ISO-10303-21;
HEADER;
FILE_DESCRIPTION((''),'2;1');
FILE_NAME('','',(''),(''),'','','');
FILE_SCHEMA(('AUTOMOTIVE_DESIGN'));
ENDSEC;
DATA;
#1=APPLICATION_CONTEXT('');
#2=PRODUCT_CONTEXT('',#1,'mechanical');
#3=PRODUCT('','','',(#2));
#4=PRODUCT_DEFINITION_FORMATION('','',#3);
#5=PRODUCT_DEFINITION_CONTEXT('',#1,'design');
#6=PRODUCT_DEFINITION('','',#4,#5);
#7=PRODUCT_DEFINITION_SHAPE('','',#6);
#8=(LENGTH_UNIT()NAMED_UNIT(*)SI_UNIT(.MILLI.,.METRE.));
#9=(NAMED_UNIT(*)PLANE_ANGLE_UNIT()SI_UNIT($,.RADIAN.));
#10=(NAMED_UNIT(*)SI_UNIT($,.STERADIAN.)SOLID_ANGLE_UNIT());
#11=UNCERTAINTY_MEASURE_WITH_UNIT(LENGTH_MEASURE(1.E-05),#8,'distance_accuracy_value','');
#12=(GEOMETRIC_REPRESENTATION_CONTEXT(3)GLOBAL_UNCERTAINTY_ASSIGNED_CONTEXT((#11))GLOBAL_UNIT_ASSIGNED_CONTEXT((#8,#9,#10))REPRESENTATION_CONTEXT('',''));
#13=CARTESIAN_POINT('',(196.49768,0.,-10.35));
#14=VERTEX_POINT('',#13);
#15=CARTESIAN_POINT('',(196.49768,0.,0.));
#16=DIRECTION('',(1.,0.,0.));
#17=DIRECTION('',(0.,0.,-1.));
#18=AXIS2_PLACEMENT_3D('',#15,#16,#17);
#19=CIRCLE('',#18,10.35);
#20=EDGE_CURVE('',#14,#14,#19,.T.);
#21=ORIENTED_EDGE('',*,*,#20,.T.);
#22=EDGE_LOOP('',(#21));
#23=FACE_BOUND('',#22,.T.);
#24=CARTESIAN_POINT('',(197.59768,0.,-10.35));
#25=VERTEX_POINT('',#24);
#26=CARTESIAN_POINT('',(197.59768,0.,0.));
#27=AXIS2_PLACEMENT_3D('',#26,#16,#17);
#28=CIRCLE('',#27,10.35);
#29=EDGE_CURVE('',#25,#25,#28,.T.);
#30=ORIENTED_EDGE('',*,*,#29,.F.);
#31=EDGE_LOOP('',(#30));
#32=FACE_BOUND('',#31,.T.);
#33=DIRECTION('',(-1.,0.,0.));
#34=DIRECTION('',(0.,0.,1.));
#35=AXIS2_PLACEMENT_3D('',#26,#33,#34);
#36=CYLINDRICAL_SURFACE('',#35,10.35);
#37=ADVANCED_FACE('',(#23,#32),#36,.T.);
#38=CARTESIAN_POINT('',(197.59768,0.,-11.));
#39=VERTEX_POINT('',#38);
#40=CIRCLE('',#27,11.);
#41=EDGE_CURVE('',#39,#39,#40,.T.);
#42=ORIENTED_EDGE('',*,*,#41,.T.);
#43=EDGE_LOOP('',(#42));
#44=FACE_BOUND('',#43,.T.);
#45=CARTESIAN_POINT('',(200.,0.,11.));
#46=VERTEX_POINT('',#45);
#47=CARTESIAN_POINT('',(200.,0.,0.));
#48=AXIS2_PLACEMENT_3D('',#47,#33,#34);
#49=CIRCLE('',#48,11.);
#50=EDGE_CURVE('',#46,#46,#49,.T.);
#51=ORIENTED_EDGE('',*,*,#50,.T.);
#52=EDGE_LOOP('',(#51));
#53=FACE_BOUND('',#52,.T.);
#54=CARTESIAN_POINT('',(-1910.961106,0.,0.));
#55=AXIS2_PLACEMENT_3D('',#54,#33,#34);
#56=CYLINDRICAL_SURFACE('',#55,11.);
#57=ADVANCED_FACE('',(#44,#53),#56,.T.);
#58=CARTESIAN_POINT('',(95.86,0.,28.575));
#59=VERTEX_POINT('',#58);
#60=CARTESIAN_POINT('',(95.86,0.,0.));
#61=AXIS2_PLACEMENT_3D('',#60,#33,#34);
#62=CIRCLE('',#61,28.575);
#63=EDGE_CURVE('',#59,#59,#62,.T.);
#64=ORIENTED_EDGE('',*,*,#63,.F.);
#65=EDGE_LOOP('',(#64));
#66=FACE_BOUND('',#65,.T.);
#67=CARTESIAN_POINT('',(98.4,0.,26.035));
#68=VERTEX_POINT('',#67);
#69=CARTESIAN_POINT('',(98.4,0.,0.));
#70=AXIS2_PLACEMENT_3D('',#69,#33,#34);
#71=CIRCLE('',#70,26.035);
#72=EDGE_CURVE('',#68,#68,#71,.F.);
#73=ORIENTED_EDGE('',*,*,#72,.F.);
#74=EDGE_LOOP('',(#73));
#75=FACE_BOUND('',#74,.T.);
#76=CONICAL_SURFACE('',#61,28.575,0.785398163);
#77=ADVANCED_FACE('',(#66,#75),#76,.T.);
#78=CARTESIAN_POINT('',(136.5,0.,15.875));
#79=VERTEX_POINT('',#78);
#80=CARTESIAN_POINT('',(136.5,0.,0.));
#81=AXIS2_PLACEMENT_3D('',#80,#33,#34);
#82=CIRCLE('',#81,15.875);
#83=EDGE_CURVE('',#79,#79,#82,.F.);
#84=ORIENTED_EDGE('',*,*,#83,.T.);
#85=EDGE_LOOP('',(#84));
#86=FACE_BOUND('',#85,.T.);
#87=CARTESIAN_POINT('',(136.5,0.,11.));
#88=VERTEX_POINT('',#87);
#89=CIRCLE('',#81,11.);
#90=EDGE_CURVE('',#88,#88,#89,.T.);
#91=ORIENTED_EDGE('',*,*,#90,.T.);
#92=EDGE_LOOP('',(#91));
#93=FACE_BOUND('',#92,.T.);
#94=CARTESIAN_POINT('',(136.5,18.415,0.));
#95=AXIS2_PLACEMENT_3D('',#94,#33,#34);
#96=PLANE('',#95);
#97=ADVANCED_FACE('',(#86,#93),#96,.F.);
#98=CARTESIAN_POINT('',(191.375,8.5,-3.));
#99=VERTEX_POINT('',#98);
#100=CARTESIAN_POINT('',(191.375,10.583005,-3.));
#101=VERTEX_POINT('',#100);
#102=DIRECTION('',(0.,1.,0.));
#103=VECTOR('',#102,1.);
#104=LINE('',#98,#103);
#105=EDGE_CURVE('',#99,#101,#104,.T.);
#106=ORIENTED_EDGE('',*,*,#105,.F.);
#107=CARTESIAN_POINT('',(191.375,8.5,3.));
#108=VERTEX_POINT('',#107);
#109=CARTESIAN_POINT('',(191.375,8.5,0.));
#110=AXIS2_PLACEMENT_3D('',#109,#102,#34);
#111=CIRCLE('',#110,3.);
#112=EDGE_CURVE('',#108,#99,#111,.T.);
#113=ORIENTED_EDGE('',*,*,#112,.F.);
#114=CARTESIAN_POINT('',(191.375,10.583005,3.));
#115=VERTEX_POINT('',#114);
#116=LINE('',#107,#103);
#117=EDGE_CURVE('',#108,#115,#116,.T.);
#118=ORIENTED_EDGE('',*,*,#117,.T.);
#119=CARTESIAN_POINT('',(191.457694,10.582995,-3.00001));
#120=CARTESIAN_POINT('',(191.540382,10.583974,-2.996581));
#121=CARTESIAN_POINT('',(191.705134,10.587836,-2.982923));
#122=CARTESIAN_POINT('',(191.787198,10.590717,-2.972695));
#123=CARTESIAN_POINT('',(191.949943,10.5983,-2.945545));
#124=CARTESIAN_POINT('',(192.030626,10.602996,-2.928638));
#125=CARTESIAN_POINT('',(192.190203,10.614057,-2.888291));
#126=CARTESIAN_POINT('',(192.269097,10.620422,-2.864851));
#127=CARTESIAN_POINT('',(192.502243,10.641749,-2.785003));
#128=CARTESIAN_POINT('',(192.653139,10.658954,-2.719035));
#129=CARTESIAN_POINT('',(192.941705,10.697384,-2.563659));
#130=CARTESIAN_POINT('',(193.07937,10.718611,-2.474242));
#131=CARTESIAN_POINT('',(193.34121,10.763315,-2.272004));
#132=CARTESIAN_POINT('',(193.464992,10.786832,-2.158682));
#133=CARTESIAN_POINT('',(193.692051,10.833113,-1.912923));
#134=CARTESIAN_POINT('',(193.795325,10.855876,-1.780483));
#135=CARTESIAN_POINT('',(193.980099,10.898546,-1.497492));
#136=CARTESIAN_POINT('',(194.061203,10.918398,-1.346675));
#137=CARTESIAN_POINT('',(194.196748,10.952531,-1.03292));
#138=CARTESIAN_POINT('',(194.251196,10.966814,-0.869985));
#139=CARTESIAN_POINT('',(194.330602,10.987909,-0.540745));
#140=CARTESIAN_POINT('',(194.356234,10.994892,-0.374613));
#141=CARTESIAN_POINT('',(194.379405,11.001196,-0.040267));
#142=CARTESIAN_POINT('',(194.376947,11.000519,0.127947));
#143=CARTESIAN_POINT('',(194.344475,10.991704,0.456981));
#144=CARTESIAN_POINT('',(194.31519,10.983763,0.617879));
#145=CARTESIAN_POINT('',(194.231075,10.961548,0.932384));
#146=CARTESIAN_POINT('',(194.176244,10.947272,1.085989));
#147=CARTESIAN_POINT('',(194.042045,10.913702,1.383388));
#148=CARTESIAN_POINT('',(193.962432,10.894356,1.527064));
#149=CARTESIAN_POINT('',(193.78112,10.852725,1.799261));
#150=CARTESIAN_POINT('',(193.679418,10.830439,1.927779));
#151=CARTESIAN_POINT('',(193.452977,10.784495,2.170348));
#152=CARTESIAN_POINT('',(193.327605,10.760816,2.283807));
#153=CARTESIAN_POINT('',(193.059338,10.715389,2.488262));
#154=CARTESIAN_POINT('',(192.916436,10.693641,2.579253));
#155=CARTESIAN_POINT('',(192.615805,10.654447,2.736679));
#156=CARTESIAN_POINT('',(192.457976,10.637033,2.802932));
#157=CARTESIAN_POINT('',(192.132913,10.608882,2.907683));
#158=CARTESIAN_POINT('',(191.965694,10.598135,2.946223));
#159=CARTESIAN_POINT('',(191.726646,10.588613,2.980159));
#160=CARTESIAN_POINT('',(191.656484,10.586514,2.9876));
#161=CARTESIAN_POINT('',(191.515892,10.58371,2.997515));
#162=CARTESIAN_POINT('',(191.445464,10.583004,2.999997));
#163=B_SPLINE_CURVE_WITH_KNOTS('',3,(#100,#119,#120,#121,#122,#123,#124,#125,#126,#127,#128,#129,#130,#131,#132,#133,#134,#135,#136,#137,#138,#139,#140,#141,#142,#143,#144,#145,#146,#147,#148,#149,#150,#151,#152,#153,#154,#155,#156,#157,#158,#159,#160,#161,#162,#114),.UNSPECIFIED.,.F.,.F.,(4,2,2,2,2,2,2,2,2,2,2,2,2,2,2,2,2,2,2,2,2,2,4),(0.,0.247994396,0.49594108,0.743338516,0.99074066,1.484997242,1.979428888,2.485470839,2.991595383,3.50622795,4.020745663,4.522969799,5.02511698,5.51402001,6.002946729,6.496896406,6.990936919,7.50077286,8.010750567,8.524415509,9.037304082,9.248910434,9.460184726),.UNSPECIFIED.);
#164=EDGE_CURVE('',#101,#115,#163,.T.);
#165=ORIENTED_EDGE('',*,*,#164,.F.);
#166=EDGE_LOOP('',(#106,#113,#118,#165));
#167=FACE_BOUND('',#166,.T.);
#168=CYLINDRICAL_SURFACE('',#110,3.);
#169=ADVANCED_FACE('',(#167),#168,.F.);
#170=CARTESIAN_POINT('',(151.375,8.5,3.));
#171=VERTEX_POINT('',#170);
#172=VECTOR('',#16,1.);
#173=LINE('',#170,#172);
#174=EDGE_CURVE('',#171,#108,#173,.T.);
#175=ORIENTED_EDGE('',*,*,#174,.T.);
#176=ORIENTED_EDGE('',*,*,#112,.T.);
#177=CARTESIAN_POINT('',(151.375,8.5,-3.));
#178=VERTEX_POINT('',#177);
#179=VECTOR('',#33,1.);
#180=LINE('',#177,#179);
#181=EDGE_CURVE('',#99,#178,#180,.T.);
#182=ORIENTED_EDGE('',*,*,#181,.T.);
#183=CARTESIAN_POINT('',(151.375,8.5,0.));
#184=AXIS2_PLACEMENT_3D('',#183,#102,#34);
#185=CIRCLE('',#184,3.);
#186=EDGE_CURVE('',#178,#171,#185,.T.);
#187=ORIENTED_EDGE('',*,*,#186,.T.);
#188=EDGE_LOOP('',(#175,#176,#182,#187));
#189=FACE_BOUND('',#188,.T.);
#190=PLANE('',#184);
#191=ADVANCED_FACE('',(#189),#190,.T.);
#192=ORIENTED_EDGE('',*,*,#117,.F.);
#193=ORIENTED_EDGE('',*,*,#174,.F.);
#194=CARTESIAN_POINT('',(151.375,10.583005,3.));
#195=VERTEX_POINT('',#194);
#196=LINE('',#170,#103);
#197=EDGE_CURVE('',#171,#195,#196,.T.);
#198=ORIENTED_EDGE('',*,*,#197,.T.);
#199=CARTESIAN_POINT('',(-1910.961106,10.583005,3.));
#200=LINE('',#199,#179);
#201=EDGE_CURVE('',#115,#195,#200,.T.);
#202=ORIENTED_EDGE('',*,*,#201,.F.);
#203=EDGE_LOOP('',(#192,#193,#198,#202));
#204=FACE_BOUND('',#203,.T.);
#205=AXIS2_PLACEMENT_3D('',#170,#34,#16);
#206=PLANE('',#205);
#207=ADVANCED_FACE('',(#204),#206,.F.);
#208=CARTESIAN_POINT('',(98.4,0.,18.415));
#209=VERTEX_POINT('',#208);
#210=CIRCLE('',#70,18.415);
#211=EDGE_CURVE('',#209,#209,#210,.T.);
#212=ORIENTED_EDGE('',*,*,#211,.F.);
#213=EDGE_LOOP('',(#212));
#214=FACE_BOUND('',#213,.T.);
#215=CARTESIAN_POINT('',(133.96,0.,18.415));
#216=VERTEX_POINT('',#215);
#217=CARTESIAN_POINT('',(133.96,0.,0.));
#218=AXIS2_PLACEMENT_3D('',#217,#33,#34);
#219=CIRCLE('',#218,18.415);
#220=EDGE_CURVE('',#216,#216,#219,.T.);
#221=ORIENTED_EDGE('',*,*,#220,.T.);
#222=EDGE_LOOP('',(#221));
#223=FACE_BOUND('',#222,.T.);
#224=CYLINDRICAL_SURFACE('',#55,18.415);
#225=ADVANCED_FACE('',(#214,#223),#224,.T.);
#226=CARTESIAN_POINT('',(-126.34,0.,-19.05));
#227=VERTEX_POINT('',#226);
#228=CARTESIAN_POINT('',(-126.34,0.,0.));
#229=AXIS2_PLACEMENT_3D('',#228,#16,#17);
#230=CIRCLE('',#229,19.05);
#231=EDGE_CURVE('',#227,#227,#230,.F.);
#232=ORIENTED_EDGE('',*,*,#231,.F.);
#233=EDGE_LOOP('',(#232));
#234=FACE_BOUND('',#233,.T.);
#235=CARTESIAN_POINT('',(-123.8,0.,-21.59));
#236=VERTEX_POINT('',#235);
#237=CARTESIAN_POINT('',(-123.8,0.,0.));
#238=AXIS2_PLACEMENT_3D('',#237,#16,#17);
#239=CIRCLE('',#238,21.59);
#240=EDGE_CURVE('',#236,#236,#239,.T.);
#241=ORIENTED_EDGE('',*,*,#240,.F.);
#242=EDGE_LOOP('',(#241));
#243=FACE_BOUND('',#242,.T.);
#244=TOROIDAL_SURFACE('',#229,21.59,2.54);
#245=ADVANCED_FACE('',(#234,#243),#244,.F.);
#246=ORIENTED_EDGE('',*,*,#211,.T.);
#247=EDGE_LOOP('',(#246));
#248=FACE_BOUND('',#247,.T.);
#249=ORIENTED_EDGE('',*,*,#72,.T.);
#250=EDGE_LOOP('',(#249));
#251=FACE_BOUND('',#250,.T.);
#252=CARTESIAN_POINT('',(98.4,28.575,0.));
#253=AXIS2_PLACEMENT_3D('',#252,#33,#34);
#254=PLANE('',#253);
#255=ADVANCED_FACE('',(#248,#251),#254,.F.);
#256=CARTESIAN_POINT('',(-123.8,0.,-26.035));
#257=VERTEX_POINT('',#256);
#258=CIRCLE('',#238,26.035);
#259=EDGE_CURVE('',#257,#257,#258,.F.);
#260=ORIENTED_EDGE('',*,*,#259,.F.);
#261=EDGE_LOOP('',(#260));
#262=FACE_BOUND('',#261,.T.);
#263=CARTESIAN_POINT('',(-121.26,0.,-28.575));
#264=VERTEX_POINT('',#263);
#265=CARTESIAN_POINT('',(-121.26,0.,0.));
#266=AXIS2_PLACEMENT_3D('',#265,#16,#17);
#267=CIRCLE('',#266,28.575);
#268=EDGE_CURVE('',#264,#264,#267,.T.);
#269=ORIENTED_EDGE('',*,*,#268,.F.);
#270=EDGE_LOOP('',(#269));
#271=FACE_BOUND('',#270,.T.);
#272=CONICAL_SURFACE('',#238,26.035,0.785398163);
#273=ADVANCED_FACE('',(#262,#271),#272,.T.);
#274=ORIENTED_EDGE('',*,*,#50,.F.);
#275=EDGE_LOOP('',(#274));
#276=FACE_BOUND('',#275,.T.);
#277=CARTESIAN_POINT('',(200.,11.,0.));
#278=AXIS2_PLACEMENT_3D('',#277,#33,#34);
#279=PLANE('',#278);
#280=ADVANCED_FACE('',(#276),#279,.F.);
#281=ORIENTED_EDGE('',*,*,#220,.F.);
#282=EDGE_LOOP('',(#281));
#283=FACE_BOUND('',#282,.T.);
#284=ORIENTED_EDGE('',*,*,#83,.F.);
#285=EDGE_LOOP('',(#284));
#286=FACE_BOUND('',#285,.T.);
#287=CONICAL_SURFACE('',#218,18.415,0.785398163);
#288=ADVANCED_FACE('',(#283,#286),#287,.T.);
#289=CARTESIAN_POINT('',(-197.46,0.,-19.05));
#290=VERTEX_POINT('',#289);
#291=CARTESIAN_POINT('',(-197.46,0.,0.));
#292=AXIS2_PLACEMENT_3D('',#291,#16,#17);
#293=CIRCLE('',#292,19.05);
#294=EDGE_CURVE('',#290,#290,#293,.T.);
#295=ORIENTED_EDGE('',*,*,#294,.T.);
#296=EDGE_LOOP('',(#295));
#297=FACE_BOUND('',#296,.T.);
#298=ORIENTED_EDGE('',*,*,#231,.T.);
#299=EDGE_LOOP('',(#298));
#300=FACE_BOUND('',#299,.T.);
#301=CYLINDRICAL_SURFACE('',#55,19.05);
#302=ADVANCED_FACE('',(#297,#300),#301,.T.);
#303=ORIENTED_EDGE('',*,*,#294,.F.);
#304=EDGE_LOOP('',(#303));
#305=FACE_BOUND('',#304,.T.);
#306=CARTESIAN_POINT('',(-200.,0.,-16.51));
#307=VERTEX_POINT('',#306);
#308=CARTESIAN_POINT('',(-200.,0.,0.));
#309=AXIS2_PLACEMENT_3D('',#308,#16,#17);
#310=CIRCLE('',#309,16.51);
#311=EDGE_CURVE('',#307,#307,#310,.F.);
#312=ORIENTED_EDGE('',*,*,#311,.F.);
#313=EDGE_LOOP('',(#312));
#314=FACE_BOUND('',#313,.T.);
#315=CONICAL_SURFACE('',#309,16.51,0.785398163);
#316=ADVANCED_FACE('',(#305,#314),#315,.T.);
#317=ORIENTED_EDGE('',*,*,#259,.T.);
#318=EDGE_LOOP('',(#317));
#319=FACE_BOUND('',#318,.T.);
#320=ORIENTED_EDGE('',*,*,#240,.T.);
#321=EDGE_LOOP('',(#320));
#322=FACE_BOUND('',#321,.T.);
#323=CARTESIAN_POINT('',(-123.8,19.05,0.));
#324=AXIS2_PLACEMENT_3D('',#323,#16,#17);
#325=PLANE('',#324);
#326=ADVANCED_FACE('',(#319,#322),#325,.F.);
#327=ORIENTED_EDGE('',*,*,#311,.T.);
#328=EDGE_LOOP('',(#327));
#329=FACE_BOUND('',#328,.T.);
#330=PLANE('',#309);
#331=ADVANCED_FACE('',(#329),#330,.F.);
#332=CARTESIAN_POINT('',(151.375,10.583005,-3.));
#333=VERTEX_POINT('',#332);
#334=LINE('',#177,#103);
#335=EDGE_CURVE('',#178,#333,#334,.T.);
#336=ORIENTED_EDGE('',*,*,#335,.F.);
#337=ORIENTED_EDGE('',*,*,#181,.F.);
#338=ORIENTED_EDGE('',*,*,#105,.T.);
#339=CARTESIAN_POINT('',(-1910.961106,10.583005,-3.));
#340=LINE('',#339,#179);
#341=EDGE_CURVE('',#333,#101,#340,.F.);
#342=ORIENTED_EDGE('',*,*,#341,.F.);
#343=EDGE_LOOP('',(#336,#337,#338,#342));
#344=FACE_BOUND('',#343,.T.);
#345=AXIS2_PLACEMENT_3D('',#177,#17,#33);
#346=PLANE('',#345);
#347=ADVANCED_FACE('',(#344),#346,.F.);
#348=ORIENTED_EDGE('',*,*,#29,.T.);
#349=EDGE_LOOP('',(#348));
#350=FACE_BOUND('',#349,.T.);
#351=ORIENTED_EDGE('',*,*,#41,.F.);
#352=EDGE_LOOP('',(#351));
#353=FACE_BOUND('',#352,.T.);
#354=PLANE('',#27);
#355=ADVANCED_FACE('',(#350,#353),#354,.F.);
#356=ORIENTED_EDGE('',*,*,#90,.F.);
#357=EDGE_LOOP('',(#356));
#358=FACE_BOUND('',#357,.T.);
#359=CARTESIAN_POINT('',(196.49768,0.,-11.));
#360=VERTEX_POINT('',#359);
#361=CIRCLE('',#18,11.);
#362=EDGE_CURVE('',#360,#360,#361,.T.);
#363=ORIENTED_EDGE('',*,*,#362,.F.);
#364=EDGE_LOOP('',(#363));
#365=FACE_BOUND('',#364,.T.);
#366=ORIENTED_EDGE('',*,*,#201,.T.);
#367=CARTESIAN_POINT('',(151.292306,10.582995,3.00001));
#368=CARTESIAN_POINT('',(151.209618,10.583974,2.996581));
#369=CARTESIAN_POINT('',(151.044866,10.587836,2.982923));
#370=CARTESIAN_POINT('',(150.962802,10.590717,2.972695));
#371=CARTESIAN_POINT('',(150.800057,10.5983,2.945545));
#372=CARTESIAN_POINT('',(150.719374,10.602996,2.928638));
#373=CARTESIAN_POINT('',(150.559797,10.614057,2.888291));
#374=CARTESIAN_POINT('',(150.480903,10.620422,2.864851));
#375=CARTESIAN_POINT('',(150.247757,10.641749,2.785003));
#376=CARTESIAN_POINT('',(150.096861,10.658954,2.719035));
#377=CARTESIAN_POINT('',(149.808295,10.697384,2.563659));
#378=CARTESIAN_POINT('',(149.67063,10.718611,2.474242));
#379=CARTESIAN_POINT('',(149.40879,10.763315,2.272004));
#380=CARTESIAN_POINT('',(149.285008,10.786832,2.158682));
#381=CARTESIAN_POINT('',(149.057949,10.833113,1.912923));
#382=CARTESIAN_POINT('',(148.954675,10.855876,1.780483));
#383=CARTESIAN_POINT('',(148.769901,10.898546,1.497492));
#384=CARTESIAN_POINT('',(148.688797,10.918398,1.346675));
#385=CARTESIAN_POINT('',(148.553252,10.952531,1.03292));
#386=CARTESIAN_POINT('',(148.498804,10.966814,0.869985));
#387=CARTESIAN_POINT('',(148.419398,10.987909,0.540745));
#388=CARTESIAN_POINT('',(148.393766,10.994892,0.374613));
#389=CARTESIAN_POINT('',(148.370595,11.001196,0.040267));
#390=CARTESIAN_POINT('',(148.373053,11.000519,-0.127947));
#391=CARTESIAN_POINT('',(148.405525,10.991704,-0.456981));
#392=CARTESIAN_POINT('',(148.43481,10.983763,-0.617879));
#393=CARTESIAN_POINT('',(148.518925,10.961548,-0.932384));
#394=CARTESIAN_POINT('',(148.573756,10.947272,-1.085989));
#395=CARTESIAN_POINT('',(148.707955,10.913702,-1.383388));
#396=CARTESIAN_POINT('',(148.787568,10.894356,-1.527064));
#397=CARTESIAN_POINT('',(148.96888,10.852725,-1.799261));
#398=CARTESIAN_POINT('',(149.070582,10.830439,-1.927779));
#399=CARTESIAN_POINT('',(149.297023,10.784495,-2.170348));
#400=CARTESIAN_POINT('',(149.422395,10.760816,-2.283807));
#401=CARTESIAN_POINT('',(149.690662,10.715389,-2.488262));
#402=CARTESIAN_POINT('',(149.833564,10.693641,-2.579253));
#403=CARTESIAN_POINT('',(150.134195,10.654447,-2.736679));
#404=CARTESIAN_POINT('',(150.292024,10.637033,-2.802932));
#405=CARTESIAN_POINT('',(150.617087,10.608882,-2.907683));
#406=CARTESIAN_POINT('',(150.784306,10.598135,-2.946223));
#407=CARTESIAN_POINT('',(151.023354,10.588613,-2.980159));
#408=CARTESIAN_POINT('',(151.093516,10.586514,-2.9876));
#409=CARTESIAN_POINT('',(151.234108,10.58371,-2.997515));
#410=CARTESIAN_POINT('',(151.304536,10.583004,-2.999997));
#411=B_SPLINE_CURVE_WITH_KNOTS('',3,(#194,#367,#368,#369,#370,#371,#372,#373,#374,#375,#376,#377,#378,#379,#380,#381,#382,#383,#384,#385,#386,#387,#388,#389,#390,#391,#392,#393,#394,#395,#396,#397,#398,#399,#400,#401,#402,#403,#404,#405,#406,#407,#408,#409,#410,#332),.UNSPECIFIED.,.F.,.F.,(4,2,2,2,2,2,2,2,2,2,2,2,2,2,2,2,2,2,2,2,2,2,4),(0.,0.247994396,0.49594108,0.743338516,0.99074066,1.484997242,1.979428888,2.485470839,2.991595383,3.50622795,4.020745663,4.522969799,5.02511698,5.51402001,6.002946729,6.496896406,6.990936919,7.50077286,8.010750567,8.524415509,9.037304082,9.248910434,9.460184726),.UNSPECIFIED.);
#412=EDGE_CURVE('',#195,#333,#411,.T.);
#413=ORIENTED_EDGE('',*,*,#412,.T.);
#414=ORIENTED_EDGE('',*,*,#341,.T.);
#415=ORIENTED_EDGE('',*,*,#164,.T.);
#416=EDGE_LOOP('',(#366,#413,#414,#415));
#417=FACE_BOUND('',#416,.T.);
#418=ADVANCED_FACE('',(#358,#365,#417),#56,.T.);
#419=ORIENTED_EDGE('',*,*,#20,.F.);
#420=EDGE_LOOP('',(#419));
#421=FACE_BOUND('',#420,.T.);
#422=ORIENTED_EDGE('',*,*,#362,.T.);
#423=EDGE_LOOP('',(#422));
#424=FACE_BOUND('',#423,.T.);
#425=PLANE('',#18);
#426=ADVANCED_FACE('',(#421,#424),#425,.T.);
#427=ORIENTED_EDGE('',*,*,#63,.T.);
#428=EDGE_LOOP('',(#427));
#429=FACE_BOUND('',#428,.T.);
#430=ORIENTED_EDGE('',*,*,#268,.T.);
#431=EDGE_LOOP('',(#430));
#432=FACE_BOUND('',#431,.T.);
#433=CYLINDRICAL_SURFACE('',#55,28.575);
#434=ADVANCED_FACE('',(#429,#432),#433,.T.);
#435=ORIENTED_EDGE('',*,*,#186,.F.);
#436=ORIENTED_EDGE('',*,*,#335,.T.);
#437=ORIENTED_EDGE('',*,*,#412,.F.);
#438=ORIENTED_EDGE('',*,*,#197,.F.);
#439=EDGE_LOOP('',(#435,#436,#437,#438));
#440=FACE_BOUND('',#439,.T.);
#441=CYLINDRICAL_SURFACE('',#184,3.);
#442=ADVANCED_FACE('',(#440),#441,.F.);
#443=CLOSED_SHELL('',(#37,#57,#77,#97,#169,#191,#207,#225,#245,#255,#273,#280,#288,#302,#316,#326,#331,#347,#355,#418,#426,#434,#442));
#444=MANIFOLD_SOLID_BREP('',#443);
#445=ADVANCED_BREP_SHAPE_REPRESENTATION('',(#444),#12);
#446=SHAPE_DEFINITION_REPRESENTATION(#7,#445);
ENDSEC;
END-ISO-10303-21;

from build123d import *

# Parameters (mm, degrees)
CHAMFER1_SIZE      = 2.54
CHAMFER2_SIZE      = 2.54
FILLET1_R          = 2.54
CUT_EXTRUDE2_DEPTH = 2.5
SKETCH7_R          = 11
SKETCH7_R_2        = 10.35
CUT_EXTRUDE3_DEPTH = 1.1


with BuildPart() as part:
    # Sketch1 → Revolve1 (revolve)
    with BuildSketch(Plane.XY, mode=Mode.PRIVATE) as revolve1_sk:
        Polygon((-200, 0), (200, 0), (200, 11), (136.5, 11), (136.5, 18.415), (98.4, 18.415), (98.4, 28.575), (-123.8, 28.575), (-123.8, 19.05), (-200, 19.05), align=None)
    revolve(revolve1_sk.sketch.rotate(Axis((-1910.961105754, 0, 0), (1, 0, 0)), 90), axis=Axis((-1910.961105754, 0, 0), (1, 0, 0)))

    # Chamfer1
    chamfer1_edges = [part.edges().sort_by_distance(p)[0] for p in [
        (136.5, 0, -18.415),
        (98.4, 0, -28.575),
    ]]
    chamfer(chamfer1_edges, length=CHAMFER1_SIZE)

    # Chamfer2
    chamfer2_edges = [part.edges().sort_by_distance(p)[0] for p in [
        (-123.8, 0, -28.575),
        (-200, 0, -19.05),
    ]]
    chamfer(chamfer2_edges, length=CHAMFER2_SIZE)

    # Fillet1
    fillet1_edges = [part.edges().sort_by_distance(p)[0] for p in [
        (-123.8, 0, -19.05),
    ]]
    fillet(fillet1_edges, radius=FILLET1_R)

    # Sketch3 → Cut-Extrude2 (cut)
    with BuildSketch(Plane(origin=(0, 11, 0), x_dir=(1, 0, 0), z_dir=(0, 1, 0))):
        with BuildLine():
            Line((151.375, 3), (191.375, 3))
            ThreePointArc((191.375, 3), (194.375, 0), (191.375, -3))
            Line((191.375, -3), (151.375, -3))
            ThreePointArc((151.375, -3), (148.375, 0), (151.375, 3))
        make_face()
    extrude(amount=-CUT_EXTRUDE2_DEPTH, mode=Mode.SUBTRACT)

    # Sketch7 → Cut-Extrude3 (cut)
    with BuildSketch(Plane(origin=(196.49768, 0, 0), x_dir=(0, 0, -1), z_dir=(1, 0, 0))):
        with Locations(Location((0, 0, 0), (0, 0, 180))):
            Circle(SKETCH7_R)
        Circle(SKETCH7_R_2, mode=Mode.SUBTRACT)
    extrude(amount=CUT_EXTRUDE3_DEPTH, mode=Mode.SUBTRACT)


solid = part.part
